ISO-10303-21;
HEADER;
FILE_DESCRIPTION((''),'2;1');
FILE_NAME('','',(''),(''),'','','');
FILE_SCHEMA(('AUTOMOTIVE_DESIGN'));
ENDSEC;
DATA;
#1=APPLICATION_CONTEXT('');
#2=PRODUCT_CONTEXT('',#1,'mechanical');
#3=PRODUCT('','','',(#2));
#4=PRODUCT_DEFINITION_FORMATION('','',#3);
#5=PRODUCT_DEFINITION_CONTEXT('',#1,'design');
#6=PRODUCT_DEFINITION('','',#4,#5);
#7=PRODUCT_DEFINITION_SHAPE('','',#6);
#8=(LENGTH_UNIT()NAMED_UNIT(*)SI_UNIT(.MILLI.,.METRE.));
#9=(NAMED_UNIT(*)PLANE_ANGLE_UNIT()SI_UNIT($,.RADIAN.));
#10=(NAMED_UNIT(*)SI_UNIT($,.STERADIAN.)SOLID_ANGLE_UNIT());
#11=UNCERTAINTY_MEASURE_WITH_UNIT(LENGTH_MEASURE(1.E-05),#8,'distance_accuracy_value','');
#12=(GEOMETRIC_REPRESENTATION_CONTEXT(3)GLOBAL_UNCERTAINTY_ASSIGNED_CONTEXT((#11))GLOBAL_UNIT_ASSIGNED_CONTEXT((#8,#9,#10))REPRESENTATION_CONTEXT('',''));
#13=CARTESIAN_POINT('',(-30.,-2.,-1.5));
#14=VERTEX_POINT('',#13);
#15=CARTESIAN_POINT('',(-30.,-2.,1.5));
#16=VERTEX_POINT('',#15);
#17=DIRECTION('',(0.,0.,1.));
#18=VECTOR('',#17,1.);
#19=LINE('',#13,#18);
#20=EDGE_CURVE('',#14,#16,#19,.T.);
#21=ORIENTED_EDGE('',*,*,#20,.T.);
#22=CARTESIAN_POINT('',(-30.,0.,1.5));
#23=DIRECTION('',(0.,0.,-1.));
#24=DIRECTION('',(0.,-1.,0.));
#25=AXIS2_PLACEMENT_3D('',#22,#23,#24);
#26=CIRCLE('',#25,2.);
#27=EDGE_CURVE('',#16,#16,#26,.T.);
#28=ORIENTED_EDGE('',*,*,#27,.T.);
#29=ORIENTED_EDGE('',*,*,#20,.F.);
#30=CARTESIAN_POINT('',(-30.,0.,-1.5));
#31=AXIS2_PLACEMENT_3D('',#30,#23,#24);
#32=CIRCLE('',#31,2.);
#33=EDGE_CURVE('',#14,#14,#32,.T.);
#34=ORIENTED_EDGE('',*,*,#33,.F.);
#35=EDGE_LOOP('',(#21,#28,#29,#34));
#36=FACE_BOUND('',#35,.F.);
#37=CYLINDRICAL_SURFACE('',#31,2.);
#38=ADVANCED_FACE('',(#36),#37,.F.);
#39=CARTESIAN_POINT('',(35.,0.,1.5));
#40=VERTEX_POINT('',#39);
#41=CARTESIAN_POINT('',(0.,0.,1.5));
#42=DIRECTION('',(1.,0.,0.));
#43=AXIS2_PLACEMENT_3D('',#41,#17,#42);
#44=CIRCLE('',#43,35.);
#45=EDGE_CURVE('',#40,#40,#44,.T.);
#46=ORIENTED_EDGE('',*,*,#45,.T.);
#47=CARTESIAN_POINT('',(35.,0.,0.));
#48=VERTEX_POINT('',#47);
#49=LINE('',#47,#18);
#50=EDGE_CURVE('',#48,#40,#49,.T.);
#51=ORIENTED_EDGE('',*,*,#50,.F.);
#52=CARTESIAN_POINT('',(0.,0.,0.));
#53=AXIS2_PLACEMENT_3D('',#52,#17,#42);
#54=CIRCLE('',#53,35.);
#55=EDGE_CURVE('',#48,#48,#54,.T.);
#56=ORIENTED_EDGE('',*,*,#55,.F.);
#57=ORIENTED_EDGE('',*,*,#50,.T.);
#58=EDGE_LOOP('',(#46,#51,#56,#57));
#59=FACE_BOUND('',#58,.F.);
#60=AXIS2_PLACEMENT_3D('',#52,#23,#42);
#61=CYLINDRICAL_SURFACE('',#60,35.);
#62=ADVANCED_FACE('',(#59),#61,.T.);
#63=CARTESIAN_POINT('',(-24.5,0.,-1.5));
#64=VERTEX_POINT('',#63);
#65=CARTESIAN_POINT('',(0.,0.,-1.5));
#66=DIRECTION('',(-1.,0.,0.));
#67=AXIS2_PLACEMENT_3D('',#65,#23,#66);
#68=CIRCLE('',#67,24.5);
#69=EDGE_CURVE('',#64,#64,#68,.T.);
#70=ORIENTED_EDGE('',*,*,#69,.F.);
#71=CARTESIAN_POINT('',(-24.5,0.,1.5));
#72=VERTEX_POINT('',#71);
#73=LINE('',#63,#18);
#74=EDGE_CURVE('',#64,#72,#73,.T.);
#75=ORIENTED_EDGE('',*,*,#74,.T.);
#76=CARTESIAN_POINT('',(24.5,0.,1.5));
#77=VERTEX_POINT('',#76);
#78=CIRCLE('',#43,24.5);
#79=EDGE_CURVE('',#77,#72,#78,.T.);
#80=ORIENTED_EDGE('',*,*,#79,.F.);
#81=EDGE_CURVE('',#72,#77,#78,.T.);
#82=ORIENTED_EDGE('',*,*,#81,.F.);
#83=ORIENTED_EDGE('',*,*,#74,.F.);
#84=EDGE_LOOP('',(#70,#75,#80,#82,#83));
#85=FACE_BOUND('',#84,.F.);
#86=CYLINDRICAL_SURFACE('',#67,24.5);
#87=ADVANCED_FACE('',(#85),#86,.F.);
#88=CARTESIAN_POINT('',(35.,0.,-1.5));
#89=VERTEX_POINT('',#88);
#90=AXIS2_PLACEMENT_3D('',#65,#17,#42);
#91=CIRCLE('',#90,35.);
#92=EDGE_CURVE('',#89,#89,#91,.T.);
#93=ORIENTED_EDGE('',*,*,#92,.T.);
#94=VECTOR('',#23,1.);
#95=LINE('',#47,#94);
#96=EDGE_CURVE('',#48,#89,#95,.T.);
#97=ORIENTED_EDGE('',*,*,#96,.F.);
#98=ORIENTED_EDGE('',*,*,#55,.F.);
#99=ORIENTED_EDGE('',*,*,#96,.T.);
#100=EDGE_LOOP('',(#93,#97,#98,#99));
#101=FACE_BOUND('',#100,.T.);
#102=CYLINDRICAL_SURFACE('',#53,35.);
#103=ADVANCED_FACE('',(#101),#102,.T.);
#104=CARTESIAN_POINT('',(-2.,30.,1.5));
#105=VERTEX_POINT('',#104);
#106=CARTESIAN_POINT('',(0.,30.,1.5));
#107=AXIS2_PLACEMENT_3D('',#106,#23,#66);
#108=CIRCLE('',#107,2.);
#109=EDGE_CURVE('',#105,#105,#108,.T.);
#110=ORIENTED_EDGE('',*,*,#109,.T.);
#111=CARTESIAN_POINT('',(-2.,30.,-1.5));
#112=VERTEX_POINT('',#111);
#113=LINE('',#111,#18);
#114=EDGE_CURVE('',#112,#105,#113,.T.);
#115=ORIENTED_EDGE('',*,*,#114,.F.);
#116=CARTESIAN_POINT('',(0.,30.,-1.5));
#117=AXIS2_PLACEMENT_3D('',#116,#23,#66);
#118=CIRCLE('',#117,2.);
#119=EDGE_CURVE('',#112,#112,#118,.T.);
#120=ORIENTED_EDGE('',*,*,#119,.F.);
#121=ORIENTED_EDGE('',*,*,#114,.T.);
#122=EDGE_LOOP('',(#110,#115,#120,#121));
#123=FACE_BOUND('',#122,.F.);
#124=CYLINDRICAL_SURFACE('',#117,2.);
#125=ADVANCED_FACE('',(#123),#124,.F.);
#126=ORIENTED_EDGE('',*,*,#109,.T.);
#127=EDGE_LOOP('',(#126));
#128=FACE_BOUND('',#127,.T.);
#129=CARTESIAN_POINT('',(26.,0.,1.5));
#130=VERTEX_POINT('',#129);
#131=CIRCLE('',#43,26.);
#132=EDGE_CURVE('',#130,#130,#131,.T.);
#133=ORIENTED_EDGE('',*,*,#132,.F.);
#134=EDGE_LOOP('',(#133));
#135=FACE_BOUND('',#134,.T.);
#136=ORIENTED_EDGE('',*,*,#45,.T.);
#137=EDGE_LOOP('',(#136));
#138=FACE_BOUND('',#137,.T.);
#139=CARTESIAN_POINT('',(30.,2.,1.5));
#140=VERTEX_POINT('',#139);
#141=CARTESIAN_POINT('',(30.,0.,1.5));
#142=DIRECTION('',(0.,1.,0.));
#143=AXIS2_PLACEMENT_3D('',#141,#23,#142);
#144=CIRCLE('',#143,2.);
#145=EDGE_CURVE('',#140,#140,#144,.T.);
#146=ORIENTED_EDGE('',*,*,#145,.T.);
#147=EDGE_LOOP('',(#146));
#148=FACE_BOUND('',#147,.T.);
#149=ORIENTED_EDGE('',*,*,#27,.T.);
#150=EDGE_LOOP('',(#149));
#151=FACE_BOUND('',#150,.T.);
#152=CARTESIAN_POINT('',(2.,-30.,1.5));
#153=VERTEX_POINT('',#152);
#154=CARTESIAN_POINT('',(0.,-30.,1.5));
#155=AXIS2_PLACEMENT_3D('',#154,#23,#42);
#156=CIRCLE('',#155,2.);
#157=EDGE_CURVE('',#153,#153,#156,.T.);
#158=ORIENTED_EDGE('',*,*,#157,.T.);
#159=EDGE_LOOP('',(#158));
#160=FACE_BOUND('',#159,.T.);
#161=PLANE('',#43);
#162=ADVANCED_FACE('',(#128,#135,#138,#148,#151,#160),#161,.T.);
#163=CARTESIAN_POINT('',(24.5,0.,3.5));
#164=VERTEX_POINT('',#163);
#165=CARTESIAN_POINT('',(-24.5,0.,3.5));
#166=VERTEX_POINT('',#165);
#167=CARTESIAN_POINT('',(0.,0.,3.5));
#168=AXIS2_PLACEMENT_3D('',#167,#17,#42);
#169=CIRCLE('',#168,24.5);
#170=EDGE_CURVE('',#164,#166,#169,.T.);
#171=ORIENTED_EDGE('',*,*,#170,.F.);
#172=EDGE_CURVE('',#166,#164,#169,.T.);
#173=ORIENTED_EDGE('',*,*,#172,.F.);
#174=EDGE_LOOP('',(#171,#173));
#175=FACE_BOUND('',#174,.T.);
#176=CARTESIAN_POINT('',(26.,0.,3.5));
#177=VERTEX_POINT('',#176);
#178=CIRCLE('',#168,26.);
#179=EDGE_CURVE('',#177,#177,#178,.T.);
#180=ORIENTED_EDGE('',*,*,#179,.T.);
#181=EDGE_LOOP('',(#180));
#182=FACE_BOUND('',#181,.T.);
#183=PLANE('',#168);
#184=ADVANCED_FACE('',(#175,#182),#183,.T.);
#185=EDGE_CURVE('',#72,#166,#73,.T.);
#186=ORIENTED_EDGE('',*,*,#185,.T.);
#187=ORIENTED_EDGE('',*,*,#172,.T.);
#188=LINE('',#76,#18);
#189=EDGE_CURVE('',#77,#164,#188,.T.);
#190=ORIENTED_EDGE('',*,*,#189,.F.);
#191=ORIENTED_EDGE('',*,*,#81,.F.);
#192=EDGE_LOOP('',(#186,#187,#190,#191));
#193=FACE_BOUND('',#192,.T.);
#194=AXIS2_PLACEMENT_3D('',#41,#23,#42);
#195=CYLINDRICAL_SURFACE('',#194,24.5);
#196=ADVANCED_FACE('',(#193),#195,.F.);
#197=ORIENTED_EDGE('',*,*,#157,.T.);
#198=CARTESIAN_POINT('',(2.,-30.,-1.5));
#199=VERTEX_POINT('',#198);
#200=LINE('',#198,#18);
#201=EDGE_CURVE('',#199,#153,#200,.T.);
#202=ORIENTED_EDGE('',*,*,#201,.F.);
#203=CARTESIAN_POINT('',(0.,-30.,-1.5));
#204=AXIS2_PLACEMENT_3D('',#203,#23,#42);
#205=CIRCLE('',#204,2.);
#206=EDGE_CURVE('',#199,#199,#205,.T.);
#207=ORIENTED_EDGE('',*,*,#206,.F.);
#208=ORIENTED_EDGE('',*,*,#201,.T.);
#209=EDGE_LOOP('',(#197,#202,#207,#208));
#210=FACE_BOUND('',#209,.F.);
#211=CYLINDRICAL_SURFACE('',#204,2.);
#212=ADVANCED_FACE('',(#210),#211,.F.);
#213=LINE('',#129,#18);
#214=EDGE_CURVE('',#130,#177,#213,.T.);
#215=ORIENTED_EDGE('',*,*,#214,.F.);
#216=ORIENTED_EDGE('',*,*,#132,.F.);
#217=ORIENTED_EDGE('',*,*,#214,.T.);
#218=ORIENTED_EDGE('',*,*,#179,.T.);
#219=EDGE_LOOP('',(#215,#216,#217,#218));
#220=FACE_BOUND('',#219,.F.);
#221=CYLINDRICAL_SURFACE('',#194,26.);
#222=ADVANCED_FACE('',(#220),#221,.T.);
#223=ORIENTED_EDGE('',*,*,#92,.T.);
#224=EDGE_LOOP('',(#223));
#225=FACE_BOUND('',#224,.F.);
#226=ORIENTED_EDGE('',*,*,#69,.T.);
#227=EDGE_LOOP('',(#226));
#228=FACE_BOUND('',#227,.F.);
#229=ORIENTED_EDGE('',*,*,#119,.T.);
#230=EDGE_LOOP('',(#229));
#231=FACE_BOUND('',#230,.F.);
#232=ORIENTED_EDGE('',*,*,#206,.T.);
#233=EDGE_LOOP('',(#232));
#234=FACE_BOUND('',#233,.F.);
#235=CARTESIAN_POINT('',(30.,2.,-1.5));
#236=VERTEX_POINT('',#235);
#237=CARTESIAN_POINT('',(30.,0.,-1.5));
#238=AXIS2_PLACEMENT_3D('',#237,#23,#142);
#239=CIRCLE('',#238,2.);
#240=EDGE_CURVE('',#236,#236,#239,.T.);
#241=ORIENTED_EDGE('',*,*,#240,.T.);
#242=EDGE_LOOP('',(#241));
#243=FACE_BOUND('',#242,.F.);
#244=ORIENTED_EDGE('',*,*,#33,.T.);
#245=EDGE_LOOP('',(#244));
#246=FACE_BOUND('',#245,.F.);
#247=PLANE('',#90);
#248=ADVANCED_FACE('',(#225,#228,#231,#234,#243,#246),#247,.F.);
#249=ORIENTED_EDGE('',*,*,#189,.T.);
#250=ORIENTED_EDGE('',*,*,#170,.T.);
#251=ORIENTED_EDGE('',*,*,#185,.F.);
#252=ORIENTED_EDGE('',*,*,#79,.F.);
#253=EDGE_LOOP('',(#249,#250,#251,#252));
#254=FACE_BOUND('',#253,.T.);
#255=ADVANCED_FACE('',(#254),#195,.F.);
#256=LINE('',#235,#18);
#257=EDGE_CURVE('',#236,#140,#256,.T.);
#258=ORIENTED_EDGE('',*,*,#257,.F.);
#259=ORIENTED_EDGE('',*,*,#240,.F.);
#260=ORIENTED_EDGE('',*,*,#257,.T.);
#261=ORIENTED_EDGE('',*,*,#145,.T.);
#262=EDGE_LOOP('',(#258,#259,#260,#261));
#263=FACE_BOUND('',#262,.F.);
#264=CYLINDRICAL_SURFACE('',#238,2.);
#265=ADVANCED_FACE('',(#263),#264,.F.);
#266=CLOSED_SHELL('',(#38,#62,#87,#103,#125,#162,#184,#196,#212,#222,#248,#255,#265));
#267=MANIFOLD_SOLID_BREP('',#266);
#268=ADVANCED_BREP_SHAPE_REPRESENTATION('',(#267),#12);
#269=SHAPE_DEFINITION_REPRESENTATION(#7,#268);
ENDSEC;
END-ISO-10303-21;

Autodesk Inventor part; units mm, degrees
ref_plane "YZ Plane" through (0, 0, 0) normal (1, 0, 0) x (0, 1, 0)
ref_plane "XZ Plane" through (0, 0, 0) normal (0, 1, 0) x (-1, 0, 0)
ref_plane "XY Plane" through (0, 0, 0) normal (0, 0, 1) x (1, 0, 0)
sketch "Sketch1" plane through (0, 0, 0) normal (0, 0, 1) x (1, 0, 0)
  circle A0 centre (0, 0) radius 35
  dimension "d0" = 70
extrude "Extrusion1" add sketch "Sketch1" along normal mid plane 3
sketch "Sketch2" plane through (0, 0, 1.5) normal (0, 0, 1) x (1, 0, 0)
  circle A0 centre (0, 0) radius 26
  circle A1 centre (0, 0) radius 24.5
  dimension "d3" = 52
  dimension "d4" = 49
extrude "Extrusion2" add sketch "Sketch2" along normal blind 2
sketch "Sketch3" plane through (0, 0, -1.5) normal (0, 0, -1) x (-1, 0, 0)
  circle A0 centre (0, 0) radius 24.5
  dimension "d7" = 49
extrude "Extrusion3" cut sketch "Sketch3" against normal through all
sketch "Sketch5" plane through (0, 0, -1.5) normal (0, 0, -1) x (-1, 0, 0)
  circle A0 centre (0, 30) radius 2
  point P0 (0, 0)
  dimension "d17" = 4
  dimension "d18" = 30
extrude "Extrusion5" cut sketch "Sketch5" against normal through all
pattern_circular "Circular Pattern2" count 4 over 360 about axis through (0, 0, -10) along (0, 0, 1) of "Extrusion5"
thread "Thread1" size "M4x0.5" class "6H" standard "ANSI Metric M Profile" full length
thread "Thread2" size "M4x0.7" class "6H" standard "ANSI Metric M Profile" full length
thread "Thread3" size "M4x0.7" class "6H" standard "ANSI Metric M Profile" full length
thread "Thread4" size "M4x0.7" class "6H" standard "ANSI Metric M Profile" full length
properties part number "Flantza_Forea1"
